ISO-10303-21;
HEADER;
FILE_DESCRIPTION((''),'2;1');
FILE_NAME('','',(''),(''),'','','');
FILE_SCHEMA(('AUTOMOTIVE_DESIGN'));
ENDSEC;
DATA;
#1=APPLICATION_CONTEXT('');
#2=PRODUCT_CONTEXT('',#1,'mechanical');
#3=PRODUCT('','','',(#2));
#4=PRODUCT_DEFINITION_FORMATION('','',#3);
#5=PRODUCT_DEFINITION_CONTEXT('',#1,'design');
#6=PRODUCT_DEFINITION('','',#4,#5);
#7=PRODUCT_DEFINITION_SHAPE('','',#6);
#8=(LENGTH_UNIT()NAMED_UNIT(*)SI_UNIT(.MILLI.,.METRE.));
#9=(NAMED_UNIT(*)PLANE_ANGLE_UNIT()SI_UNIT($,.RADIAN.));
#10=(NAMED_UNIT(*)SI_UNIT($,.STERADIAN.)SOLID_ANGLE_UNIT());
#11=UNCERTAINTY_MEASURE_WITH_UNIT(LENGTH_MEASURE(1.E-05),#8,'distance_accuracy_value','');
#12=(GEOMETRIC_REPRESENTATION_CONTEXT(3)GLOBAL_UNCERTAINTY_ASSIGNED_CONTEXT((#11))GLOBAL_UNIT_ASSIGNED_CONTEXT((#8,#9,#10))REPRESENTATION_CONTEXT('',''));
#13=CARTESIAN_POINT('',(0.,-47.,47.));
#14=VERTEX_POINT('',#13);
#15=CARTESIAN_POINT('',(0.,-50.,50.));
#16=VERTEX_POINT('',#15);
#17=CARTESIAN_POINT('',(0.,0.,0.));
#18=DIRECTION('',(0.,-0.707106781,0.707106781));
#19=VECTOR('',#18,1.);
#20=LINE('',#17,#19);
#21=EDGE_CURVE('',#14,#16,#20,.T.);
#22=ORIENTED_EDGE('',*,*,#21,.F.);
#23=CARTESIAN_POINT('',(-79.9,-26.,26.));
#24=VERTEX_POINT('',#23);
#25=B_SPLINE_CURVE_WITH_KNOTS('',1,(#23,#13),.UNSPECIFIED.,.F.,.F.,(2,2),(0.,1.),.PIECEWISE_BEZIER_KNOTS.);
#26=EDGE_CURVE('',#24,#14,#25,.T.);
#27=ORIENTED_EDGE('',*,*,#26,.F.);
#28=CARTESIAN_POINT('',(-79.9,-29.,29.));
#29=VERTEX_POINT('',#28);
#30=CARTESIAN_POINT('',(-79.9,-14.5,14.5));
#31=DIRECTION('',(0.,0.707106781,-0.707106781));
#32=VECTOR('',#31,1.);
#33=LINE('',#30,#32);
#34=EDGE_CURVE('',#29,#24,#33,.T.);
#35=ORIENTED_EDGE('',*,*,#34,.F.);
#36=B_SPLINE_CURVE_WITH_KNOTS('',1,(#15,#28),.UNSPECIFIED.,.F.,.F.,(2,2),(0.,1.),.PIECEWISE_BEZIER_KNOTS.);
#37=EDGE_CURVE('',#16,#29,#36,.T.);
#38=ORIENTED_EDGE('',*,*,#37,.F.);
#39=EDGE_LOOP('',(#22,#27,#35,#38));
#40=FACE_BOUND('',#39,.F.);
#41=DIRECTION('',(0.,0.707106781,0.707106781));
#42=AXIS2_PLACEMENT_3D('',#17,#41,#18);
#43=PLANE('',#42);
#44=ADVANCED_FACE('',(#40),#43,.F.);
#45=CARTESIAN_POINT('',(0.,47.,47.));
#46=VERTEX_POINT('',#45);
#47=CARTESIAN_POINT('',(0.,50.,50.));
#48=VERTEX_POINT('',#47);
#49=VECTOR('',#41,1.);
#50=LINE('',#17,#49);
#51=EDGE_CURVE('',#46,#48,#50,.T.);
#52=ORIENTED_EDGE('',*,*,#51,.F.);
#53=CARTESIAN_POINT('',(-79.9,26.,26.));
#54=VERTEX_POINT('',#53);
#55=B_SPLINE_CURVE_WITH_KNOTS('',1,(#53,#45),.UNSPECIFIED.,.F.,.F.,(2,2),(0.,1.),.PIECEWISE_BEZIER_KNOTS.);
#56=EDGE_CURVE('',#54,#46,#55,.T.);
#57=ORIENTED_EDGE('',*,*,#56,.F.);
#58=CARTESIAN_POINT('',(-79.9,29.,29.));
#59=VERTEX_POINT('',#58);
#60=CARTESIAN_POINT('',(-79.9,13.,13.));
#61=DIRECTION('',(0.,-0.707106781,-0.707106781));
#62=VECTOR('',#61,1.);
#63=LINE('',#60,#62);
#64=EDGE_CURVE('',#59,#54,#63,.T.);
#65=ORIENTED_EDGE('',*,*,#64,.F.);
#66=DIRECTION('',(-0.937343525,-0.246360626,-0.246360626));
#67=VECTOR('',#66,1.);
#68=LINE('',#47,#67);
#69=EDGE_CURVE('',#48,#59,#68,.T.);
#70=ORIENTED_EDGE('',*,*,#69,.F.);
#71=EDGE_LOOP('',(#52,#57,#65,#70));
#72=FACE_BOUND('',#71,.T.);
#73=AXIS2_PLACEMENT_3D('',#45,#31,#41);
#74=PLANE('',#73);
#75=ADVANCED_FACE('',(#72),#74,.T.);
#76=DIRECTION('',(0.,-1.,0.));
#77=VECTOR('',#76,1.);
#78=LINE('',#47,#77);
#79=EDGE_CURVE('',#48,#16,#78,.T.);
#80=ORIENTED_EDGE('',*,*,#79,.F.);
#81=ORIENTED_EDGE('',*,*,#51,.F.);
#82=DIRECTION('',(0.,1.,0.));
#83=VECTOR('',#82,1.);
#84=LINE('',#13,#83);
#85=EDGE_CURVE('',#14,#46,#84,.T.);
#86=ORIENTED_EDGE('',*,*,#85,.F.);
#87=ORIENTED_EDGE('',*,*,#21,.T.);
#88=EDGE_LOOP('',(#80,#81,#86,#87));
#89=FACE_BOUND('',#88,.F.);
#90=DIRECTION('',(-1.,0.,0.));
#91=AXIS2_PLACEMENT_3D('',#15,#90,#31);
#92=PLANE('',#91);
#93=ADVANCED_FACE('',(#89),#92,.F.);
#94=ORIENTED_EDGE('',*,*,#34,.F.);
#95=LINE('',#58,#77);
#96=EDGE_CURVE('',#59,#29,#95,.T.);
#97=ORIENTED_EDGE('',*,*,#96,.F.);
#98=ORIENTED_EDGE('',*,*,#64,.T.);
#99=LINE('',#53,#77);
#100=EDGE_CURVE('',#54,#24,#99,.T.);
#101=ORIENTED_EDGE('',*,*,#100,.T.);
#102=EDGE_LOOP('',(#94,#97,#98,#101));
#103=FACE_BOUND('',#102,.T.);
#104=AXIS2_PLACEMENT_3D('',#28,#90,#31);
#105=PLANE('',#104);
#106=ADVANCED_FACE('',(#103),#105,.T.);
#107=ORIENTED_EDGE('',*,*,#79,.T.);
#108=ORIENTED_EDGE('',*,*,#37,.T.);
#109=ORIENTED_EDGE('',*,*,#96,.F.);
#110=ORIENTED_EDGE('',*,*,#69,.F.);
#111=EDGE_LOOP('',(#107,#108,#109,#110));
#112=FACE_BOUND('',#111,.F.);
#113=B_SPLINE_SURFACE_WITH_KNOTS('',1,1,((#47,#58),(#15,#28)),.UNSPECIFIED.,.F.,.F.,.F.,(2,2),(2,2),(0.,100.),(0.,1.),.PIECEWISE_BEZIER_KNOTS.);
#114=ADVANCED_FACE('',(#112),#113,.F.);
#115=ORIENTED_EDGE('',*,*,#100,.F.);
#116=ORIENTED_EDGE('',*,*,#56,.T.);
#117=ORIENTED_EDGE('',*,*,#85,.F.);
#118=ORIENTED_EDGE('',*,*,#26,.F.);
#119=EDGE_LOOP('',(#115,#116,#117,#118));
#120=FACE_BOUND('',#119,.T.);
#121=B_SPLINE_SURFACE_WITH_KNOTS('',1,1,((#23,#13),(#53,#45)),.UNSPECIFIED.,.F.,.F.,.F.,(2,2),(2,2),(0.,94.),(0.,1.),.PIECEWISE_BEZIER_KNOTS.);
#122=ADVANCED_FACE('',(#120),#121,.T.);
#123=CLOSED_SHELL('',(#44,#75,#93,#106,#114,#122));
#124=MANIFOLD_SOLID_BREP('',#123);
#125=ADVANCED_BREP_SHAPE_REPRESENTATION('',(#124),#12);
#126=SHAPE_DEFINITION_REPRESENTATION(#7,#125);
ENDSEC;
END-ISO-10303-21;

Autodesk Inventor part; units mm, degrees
ref_plane "XZ Plane" through (0, 0, 0) normal (0, 1, 0) x (-1, 0, 0)
ref_plane "XY Plane" through (0, 0, 0) normal (0, 0, 1) x (1, 0, 0)
sketch "Sketch1" plane through (0, 0, 0) normal (1, 0, 0) x (0, 1, 0)
  line L0 (-50, -50) -> (50, -50)
  line L1 (50, -50) -> (50, 50)
  line L2 (50, 50) -> (-50, 50)
  line L3 (-50, 50) -> (-50, -50)
  line L4 (-50, -50) -> (50, 50) construction
  line L5 (50, -50) -> (-50, 50) construction
  line L6 (-47, -47) -> (47, -47)
  line L7 (47, -47) -> (47, 47)
  line L8 (47, 47) -> (-47, 47)
  line L9 (-47, 47) -> (-47, -47)
  line L10 (-47, -47) -> (47, 47) construction
  line L11 (47, -47) -> (-47, 47) construction
  point P0 (0, 0)
  dimension "d0" = 100
  dimension "d1" = 100
  dimension "d7" = 3
  dimension "d8" = 3
ref_plane "Work Plane1" through (-79.9, 0, 0) normal (1, 0, 0) x (0, 1, 0)
sketch "Sketch2" plane through (-79.9, 0, 0) normal (1, 0, 0) x (0, 1, 0)
  line L0 (-26, -26) -> (26, -26)
  line L1 (26, -26) -> (26, 26)
  line L2 (26, 26) -> (-26, 26)
  line L3 (-26, 26) -> (-26, -26)
  line L4 (-26, -26) -> (26, 26) construction
  line L5 (26, -26) -> (-26, 26) construction
  line L6 (-29, -29) -> (29, -29)
  line L7 (29, -29) -> (29, 29)
  line L8 (29, 29) -> (-29, 29)
  line L9 (-29, 29) -> (-29, -29)
  line L10 (-29, -29) -> (29, 29) construction
  line L11 (29, -29) -> (-29, 29) construction
  point P0 (0, 0)
  dimension "d4" = 52
  dimension "d5" = 52
  dimension "d9" = 3
loft "Loft1" add profiles "Sketch1", "Sketch2" contours L3 L2 L1 L0 | L9 L8 L7 L6 / L3 L2 L1 L0 | L9 L8 L7 L6
sketch "Sketch3" plane through (0, -50, -50) normal (1, 0, 0) x (0, 0, -1)
  line L0 (-3, 3) -> (-97, 3)
  line L1 (-97, 3) -> (-97, 97)
  line L2 (-97, 97) -> (-3, 97)
  line L3 (-3, 97) -> (-3, 3)
  line L4 (-3, 3) -> (-97, 97) construction
  line L5 (-97, 3) -> (-3, 97) construction
  line L6 (0, 100) -> (-100, 100) projected
  line L7 (-100, 100) -> (-100, 0) projected
  point P0 (-50, 50)
  dimension "d14" = 3
  dimension "d15" = 3
sketch "Sketch4" plane through (-79.9, -29, -29) normal (-1, 0, 0) x (0, 0, 1)
  line L0 (3, 55) -> (55, 55)
  line L1 (55, 55) -> (55, 3)
  line L2 (55, 3) -> (3, 3)
  line L3 (3, 3) -> (3, 55)
  line L4 (3, 55) -> (55, 3) construction
  line L5 (55, 55) -> (3, 3) construction
  line L6 (58, 58) -> (58, 0) projected
  line L7 (58, 0) -> (0, 0) projected
  point P0 (29, 29)
  dimension "d16" = 3
  dimension "d17" = 3
loft "Loft2" cut profiles "Sketch4", "Sketch3"
sketch "Sketch5" plane through (0, 0, 0) normal (1, 0, 0) x (0, 1, 0)
  line L0 (50, 50) -> (-50, 50) projected
  line L1 (-50, 50) -> (-50, -50) projected
  line L2 (-50, -50) -> (50, -50) projected
  line L3 (50, -50) -> (50, 50) projected
  line L4 (0, 0) -> (-50, 50)
  line L5 (0, 0) -> (50, 50)
  line L6 (26, 26) -> (47, 47) projected
extrude "Extrusion1" cut sketch "Sketch5" against normal through all contours L3 L2 L1 L4 L5
equation "\"d0\" = width"
equation "\"d1\" = height"
equation "\"d7\" = mirrorThickness"
equation "\"d8\" = mirrorThickness"
equation "\"d4\" = detectorWidth"
equation "\"d5\" = detectorHeight"
equation "\"d9\" = mirrorThickness"
equation "\"d14\" = mirrorThickness"
equation "\"d15\" = mirrorThickness"
equation "\"d16\" = mirrorThickness"
equation "\"d17\" = mirrorThickness"
equation "\"acrylicThickness\" = 6.35"
equation "\"height\" = 100"
equation "\"width\" = 100"
equation "\"mirrorAngle\" = 12deg"
equation "\"detectorWidth\" = 52"
equation "\"detectorHeight\" = 52"
equation "\"mirrorThickness\" = 3"
equation "\"d3\" = fresnelThickness - depth + aerogelThickness"
equation "\"fresnelThickness\" = 0.1"
equation "\"focalLength\" = 76.2"
equation "\"ior\" = 1.49"
equation "\"fresnelAngle\" = 90deg"
equation "\"centerThickness\" = 1.524"
equation "\"fresnelEffectiveDiameter\" = 76.2"
equation "\"depth\" = 100"
equation "\"aerogelThickness\" = 20"
properties part number "mirror" material "Glass"
